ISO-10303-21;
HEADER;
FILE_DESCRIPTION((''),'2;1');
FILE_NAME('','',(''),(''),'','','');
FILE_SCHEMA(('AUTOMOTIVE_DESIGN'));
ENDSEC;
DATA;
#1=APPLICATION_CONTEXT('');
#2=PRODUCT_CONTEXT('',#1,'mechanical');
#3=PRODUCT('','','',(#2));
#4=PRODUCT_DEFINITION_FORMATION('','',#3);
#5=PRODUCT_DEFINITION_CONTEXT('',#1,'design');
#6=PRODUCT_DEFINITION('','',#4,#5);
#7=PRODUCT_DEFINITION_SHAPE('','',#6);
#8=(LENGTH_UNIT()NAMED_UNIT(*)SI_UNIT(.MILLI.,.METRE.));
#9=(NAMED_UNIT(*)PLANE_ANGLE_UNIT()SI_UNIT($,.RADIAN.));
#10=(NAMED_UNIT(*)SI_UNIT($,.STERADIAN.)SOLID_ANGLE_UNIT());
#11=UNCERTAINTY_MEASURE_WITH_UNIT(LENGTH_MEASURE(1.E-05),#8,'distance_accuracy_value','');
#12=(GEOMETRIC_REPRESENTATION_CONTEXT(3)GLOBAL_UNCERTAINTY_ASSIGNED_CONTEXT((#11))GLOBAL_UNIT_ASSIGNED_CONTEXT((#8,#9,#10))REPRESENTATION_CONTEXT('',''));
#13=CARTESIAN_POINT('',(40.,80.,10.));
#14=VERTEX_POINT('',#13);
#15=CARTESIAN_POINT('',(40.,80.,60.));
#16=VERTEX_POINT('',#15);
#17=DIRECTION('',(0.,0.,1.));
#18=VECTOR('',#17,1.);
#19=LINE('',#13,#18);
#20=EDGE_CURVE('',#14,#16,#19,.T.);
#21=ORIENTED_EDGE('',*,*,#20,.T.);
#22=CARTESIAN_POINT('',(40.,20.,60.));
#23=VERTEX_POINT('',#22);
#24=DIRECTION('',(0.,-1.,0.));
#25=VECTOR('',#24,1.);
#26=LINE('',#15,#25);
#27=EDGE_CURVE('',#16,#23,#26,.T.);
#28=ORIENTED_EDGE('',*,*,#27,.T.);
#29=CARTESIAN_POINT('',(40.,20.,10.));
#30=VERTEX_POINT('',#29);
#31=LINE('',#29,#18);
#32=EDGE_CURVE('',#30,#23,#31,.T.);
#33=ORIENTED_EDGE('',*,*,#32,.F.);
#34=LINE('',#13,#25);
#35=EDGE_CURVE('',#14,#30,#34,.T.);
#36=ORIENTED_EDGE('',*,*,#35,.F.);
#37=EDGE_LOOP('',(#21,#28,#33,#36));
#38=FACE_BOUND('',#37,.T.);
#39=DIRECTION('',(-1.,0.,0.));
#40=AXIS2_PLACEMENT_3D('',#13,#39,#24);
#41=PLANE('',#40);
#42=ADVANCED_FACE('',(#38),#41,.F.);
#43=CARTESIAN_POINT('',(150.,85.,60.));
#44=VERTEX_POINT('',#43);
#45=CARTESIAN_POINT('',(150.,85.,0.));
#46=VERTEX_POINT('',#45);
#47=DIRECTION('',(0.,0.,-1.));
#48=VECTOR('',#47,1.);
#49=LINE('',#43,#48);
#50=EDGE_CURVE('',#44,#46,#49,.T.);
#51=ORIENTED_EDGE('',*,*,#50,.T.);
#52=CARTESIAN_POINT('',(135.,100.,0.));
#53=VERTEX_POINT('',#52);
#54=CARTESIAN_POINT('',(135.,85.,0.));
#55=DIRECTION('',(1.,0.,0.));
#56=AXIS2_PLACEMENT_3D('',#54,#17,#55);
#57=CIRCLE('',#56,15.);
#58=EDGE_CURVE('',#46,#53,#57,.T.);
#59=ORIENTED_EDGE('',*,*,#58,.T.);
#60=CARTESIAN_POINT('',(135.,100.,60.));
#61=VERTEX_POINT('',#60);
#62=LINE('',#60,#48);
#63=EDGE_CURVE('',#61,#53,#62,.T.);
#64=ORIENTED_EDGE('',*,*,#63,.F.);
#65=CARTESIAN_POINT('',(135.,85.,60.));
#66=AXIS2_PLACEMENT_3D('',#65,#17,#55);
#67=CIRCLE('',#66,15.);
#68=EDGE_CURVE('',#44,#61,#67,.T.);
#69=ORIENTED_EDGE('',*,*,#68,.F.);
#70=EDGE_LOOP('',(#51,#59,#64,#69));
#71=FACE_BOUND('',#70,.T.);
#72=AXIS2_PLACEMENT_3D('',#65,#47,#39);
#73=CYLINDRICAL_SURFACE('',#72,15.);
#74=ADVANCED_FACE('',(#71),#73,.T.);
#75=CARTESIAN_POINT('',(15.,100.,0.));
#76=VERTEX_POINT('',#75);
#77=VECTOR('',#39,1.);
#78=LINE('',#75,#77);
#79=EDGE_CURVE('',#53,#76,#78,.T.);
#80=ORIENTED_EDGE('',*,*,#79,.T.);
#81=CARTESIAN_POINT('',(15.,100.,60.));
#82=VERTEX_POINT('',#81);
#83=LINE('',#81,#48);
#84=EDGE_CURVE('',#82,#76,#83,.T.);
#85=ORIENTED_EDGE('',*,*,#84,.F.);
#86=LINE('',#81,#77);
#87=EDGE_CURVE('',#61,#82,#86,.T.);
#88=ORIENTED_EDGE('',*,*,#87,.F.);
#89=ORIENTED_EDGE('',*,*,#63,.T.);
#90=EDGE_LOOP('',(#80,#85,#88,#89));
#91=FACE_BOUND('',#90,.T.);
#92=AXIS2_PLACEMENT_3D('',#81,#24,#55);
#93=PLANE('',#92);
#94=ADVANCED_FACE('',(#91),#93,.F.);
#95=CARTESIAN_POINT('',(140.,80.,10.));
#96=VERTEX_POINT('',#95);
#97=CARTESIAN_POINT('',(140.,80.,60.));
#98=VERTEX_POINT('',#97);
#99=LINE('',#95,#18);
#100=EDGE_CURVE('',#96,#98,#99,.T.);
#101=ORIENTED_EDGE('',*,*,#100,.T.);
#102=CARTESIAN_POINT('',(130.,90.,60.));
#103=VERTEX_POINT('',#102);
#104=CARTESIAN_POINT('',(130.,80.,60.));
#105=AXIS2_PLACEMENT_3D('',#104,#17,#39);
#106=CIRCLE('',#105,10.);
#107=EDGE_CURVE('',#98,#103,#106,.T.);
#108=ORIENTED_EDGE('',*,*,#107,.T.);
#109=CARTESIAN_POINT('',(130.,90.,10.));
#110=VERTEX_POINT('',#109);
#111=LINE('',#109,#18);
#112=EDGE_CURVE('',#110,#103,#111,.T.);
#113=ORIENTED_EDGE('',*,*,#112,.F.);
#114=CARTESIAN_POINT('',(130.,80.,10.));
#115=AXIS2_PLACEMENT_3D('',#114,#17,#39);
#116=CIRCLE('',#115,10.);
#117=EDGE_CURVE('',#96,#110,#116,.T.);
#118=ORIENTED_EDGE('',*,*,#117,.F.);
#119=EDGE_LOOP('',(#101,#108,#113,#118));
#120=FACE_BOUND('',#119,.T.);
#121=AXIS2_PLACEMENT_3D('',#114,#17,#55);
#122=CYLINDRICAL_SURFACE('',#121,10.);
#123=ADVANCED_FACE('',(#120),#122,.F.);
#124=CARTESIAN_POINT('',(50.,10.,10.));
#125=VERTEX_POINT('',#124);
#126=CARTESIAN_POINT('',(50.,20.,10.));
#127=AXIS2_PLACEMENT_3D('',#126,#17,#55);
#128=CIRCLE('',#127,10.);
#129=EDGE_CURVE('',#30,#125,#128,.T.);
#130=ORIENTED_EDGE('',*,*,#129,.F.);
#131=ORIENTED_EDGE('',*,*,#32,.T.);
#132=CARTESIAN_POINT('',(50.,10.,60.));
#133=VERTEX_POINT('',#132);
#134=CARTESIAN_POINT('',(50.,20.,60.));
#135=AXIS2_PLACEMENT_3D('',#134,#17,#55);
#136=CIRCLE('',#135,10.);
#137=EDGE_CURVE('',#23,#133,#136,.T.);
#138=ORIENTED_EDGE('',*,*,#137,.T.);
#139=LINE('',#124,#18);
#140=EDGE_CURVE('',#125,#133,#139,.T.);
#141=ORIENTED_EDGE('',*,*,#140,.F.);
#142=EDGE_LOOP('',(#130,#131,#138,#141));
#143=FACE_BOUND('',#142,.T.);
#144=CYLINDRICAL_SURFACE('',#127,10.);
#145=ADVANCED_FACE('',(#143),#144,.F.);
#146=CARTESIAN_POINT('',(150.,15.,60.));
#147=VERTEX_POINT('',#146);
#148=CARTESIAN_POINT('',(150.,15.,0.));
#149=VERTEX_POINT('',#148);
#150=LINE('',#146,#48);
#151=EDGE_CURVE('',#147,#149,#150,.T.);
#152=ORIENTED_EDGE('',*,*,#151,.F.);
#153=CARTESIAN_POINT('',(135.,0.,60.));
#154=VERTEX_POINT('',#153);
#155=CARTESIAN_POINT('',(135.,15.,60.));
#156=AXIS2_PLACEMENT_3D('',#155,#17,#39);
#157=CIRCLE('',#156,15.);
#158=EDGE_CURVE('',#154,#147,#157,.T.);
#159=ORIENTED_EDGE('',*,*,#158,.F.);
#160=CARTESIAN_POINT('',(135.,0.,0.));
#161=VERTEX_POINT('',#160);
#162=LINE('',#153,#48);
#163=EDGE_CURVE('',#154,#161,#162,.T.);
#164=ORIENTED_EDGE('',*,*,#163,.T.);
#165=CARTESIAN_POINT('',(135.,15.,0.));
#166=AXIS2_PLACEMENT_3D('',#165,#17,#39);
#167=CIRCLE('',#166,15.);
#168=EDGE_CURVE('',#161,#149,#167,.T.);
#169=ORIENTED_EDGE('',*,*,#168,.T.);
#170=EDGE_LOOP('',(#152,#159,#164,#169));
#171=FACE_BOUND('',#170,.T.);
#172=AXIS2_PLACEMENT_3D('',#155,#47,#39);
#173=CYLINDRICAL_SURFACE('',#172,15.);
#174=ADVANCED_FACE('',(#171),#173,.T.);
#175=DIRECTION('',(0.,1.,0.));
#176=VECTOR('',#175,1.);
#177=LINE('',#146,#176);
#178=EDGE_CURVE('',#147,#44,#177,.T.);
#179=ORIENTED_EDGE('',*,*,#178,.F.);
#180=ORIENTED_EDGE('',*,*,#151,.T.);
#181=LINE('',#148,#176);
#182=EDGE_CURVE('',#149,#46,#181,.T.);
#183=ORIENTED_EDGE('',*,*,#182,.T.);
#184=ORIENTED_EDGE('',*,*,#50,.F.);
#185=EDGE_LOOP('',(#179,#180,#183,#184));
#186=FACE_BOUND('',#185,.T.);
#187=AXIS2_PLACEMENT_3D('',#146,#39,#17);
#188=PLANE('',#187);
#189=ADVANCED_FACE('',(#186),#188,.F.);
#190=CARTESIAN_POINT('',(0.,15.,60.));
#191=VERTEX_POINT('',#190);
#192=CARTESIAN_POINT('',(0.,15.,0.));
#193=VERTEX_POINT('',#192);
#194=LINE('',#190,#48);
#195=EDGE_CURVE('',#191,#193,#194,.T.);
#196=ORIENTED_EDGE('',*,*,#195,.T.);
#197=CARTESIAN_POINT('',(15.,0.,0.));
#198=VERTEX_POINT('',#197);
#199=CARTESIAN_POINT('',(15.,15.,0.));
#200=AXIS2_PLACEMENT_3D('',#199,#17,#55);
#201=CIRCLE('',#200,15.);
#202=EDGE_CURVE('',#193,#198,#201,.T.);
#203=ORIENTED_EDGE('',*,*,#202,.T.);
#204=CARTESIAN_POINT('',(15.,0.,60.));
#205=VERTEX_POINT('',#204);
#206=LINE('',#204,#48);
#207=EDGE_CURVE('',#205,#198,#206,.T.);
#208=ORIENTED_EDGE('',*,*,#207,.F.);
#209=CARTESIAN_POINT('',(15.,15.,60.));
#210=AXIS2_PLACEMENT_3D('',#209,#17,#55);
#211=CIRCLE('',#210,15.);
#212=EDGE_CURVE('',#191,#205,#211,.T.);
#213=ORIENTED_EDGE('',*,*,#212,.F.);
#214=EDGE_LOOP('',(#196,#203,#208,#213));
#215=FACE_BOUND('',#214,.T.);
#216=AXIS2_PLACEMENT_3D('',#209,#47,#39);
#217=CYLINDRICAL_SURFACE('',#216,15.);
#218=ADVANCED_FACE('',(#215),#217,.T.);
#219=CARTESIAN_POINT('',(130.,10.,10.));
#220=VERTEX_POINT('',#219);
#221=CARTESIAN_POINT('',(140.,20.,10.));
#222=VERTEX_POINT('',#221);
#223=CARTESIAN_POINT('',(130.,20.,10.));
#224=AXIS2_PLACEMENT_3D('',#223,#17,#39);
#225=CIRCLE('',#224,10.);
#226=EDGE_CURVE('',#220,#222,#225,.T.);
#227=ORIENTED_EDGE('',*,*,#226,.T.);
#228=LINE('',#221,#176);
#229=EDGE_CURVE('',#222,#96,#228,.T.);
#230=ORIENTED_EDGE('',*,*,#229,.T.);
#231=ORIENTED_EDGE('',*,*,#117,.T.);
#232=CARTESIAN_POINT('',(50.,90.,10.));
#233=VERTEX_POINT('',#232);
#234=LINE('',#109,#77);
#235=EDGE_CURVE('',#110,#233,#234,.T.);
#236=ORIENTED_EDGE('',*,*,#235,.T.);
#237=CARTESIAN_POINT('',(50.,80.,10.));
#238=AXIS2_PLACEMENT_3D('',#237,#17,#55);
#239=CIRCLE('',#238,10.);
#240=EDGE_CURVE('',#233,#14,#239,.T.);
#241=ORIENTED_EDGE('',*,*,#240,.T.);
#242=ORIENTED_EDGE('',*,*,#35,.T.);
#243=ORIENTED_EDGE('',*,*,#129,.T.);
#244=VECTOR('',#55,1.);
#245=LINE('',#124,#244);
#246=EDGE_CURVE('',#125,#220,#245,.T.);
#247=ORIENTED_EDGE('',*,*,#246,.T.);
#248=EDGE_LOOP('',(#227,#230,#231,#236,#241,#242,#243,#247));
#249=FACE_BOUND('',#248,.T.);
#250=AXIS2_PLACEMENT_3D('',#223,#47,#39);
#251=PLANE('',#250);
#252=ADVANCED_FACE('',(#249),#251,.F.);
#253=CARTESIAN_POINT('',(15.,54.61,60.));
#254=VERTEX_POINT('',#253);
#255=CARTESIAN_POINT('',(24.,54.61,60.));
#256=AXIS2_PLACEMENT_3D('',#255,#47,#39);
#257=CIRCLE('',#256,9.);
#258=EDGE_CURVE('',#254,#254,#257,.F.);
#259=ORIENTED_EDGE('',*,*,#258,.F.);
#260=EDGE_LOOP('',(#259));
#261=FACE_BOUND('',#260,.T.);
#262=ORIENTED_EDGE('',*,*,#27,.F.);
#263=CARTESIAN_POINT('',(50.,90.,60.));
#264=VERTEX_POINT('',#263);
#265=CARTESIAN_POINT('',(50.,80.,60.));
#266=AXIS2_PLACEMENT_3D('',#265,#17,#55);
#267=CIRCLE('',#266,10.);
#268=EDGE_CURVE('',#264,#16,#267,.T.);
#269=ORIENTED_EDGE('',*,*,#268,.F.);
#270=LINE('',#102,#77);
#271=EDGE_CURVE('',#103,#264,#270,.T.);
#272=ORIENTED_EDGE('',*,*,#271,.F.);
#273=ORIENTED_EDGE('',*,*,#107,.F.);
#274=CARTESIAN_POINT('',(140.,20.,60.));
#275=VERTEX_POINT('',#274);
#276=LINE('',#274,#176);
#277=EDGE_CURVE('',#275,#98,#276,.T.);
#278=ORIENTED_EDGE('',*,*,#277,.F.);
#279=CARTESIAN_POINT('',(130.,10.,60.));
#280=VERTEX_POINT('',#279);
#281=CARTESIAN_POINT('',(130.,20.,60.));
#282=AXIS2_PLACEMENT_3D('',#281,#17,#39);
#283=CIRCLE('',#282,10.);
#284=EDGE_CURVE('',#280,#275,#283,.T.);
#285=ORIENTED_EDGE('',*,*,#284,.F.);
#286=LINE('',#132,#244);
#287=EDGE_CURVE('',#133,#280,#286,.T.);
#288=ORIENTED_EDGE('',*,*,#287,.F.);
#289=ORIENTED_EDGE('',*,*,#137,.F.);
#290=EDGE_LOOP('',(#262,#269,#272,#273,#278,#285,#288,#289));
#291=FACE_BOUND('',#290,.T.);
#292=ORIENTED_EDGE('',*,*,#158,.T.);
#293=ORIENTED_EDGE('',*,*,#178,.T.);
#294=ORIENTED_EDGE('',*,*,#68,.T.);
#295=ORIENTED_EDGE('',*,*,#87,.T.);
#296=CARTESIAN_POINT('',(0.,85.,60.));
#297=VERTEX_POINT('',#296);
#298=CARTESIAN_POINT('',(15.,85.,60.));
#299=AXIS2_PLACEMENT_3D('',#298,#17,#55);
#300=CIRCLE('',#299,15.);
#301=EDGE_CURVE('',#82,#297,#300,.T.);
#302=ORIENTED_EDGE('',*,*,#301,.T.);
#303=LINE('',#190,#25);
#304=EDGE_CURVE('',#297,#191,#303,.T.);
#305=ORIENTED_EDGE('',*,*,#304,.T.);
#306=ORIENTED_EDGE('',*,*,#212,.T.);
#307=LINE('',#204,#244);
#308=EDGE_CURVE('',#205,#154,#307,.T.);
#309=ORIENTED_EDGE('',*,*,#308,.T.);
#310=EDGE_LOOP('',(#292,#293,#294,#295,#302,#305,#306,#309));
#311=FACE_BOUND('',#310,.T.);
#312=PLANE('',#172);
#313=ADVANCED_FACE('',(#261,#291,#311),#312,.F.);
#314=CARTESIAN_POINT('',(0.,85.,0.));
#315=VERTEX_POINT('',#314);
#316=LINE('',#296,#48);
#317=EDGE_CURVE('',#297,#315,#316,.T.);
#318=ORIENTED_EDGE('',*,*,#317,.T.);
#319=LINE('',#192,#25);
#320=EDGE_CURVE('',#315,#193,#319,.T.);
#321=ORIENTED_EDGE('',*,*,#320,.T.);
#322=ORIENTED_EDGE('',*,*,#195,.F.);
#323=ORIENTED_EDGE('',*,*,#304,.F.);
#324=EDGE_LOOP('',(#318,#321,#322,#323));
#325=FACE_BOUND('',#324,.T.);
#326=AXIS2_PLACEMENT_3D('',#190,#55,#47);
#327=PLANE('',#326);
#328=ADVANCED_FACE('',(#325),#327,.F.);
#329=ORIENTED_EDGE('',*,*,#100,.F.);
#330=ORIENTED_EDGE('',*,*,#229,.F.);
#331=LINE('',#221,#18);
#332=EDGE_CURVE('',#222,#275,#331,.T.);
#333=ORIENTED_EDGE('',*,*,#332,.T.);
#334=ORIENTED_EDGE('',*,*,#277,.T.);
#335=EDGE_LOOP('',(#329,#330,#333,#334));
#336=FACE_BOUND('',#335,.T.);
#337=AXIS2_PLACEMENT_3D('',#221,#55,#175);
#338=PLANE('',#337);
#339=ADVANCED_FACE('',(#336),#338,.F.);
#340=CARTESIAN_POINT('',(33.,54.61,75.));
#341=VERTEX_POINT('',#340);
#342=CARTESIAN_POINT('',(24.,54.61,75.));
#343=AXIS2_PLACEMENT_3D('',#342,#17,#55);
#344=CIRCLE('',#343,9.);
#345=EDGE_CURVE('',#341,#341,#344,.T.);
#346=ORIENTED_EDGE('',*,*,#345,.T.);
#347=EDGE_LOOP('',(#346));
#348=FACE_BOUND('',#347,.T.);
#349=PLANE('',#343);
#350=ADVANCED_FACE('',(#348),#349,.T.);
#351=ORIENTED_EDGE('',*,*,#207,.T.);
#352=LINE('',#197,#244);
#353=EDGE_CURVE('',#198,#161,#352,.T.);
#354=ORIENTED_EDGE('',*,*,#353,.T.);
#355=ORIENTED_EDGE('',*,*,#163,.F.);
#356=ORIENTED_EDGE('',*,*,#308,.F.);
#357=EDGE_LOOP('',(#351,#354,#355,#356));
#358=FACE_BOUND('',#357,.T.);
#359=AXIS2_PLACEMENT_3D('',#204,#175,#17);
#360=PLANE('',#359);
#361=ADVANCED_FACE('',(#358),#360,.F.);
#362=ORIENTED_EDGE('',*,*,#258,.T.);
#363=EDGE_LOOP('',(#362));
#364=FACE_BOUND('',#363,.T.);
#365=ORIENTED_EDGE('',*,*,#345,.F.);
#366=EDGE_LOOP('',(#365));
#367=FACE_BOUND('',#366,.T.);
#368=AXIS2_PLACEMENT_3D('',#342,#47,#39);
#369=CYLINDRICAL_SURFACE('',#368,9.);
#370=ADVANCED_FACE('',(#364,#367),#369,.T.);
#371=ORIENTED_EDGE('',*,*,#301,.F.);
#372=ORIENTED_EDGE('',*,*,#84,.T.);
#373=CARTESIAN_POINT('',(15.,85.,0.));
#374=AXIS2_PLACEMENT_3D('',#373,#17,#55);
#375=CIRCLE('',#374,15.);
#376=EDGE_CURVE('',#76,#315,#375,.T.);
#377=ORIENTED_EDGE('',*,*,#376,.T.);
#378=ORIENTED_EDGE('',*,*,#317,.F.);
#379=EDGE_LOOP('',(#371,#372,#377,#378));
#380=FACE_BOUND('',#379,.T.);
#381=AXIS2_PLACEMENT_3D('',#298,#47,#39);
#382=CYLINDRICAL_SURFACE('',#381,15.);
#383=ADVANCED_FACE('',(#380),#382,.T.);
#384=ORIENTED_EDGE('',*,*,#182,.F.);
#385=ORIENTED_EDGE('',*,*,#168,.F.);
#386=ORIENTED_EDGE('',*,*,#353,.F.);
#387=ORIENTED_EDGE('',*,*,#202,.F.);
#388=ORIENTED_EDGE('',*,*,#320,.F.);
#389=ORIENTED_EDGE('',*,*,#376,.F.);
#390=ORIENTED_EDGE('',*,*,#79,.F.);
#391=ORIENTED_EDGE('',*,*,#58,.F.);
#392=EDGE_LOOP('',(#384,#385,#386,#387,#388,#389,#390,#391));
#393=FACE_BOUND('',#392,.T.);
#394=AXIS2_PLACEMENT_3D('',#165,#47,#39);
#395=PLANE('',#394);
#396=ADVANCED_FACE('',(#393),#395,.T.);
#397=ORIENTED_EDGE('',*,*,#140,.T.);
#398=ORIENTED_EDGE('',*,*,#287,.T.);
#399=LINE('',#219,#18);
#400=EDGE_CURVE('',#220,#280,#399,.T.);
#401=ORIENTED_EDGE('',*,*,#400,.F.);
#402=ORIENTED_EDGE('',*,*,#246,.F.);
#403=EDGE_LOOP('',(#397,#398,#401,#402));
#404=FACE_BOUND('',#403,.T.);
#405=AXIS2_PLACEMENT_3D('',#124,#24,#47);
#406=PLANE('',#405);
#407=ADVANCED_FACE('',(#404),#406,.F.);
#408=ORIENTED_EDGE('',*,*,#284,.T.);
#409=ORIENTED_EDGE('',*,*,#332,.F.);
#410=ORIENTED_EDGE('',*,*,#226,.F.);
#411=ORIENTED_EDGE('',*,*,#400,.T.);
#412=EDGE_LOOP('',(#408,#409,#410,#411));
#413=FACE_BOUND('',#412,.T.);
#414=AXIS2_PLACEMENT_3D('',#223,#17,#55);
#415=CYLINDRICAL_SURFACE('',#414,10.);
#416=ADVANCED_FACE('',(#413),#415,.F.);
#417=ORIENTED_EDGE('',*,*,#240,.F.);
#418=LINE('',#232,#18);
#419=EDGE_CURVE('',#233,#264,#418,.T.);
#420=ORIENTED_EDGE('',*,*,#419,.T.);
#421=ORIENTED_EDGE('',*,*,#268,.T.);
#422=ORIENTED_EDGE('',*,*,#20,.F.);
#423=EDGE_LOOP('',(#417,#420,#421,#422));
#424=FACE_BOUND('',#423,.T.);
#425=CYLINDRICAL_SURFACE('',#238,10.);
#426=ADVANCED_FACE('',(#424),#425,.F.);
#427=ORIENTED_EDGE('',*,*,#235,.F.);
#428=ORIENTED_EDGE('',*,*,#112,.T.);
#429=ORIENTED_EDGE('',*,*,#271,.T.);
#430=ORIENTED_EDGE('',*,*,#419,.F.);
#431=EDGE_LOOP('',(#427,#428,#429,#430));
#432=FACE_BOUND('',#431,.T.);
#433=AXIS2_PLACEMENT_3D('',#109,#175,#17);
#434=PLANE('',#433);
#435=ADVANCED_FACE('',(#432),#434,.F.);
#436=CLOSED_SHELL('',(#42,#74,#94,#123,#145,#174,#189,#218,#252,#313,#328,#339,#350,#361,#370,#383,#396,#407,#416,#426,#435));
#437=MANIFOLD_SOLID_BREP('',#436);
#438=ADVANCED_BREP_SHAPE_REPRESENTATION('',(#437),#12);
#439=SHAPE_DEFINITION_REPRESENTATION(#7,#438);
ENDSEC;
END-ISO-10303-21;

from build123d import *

# Parameters (mm, degrees)
BASE_EXTRUDE_DEPTH  = 60
CUT_EXTRUDE1_DEPTH  = 50
SKETCH3_R           = 9
BOSS_EXTRUDE1_DEPTH = 15


with BuildPart() as part:
    # Sketch1 → Base-Extrude (new body)
    with BuildSketch(Plane.XY):
        with BuildLine():
            Line((15, 0), (135, 0))
            ThreePointArc((135, 0), (145.606601718, 4.393398282), (150, 15))
            Line((150, 15), (150, 85))
            ThreePointArc((150, 85), (145.606601718, 95.606601718), (135, 100))
            Line((135, 100), (15, 100))
            ThreePointArc((15, 100), (4.393398282, 95.606601718), (0, 85))
            Line((0, 85), (0, 15))
            ThreePointArc((0, 15), (4.393398282, 4.393398282), (15, 0))
        make_face()
    extrude(amount=BASE_EXTRUDE_DEPTH)

    # Sketch2 → Cut-Extrude1 (cut)
    with BuildSketch(Plane.XY.offset(60)):
        with BuildLine():
            Line((40, 80), (40, 20))
            ThreePointArc((40, 20), (42.928932188, 12.928932188), (50, 10))
            Line((50, 10), (130, 10))
            ThreePointArc((130, 10), (137.071067812, 12.928932188), (140, 20))
            Line((140, 20), (140, 80))
            ThreePointArc((140, 80), (137.071067812, 87.071067812), (130, 90))
            Line((130, 90), (50, 90))
            ThreePointArc((50, 90), (42.928932188, 87.071067812), (40, 80))
        make_face()
    extrude(amount=-CUT_EXTRUDE1_DEPTH, mode=Mode.SUBTRACT)

    # Sketch3 → Boss-Extrude1 (add)
    with BuildSketch(Plane.XY.offset(60)):
        with Locations(Location((24, 54.61, 0), (0, 0, 180))):
            Circle(SKETCH3_R)
    extrude(amount=BOSS_EXTRUDE1_DEPTH)


solid = part.part
